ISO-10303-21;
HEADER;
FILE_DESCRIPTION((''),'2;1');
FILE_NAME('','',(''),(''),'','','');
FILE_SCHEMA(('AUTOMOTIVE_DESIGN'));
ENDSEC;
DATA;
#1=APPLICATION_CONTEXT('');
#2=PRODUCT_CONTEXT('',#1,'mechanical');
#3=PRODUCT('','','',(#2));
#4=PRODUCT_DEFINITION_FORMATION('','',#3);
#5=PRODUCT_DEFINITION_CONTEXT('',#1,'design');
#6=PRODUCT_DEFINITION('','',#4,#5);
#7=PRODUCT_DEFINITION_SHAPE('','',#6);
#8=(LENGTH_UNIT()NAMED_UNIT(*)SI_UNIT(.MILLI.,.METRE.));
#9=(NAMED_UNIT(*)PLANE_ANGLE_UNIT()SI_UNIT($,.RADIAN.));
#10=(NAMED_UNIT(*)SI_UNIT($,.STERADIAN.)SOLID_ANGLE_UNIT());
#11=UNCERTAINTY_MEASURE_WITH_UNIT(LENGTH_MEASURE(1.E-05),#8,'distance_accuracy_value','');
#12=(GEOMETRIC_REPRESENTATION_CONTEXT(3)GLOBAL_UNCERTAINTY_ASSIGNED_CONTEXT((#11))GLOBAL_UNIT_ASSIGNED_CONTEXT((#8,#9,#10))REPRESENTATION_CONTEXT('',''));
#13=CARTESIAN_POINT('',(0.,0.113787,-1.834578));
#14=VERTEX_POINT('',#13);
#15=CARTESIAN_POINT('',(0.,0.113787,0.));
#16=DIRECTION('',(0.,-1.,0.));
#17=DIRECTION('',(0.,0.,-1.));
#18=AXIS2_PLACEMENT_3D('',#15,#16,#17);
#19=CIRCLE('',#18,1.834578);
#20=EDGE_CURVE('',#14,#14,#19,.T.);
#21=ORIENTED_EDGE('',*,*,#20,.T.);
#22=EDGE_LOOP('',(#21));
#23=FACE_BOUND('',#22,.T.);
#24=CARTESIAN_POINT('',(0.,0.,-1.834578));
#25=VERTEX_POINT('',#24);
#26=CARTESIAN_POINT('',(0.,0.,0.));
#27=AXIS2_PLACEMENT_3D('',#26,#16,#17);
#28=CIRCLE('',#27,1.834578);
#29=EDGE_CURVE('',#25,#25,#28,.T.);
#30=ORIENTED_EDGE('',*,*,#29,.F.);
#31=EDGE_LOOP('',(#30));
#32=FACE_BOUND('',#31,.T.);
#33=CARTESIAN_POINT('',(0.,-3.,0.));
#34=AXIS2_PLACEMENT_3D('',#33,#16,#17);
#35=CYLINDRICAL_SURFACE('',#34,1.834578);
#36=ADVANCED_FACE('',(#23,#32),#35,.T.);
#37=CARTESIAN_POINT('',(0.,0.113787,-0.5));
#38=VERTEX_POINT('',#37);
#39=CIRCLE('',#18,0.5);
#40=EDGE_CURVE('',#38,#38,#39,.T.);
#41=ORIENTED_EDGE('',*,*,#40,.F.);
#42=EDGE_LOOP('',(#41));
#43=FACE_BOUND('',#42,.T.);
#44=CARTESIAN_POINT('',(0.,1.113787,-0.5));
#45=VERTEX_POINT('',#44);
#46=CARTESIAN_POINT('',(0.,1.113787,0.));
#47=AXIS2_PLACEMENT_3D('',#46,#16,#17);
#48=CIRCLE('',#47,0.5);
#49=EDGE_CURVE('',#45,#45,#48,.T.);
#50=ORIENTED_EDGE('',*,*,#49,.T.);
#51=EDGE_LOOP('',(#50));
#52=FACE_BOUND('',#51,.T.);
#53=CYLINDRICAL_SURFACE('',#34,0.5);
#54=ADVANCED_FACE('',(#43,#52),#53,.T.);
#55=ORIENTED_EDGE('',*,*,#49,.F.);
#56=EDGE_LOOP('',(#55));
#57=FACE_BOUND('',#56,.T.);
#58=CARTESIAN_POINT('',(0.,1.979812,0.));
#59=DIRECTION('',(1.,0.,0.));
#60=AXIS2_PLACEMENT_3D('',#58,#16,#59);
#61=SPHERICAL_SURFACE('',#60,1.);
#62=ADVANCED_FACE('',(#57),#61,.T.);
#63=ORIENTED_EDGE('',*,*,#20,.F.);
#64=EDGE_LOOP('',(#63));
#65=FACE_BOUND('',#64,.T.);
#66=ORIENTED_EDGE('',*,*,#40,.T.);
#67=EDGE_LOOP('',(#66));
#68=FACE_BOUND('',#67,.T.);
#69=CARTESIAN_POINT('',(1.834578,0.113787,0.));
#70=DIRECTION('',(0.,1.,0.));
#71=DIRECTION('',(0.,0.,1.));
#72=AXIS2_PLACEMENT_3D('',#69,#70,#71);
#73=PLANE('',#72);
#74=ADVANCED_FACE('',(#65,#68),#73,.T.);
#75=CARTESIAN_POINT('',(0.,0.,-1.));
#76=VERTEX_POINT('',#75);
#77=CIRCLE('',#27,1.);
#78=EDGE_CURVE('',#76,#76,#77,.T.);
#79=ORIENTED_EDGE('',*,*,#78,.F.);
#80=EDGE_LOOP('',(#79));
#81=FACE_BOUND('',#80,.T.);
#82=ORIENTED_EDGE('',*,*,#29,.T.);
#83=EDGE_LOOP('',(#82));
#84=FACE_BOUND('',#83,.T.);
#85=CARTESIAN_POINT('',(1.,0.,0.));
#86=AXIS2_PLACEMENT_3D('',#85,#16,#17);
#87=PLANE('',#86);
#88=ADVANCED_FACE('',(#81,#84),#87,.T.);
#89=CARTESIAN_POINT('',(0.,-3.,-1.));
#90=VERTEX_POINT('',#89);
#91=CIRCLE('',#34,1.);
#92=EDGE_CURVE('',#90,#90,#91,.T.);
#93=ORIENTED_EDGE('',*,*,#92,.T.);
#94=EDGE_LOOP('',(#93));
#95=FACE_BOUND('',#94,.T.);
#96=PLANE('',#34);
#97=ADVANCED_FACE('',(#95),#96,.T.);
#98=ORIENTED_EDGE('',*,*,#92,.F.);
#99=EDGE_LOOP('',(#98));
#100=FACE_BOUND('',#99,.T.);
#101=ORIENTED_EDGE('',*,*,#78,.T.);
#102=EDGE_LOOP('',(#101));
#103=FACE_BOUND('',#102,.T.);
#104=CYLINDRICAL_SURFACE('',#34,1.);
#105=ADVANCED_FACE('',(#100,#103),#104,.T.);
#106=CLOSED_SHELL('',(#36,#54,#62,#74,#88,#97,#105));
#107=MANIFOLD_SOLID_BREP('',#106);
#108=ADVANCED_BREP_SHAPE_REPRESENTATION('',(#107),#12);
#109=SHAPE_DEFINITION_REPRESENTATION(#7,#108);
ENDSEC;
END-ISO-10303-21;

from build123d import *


with BuildPart() as part:
    # Esquisse1 → Révolution1 (revolve)
    with BuildSketch(Plane.XY, mode=Mode.PRIVATE) as r_volution1_sk:
        with BuildLine():
            Line((0, -3), (1, -3))
            Line((1, -3), (1, 0))
            Line((1, 0), (1.834577761, 0))
            Line((1.834577761, 0), (1.834577761, 0.113786684))
            Line((1.834577761, 0.113786684), (0.5, 0.113786684))
            Line((0.5, 0.113786684), (0.5, 1.113786684))
            ThreePointArc((0.5, 1.113786684), (0.965925826, 2.238631132), (0, 2.979812087))
            Line((0, 2.979812087), (0, -3))
        make_face()
    revolve(r_volution1_sk.sketch.rotate(Axis((0, -3, 0), (0, 1, 0)), 90), axis=Axis((0, -3, 0), (0, 1, 0)))


solid = part.part
